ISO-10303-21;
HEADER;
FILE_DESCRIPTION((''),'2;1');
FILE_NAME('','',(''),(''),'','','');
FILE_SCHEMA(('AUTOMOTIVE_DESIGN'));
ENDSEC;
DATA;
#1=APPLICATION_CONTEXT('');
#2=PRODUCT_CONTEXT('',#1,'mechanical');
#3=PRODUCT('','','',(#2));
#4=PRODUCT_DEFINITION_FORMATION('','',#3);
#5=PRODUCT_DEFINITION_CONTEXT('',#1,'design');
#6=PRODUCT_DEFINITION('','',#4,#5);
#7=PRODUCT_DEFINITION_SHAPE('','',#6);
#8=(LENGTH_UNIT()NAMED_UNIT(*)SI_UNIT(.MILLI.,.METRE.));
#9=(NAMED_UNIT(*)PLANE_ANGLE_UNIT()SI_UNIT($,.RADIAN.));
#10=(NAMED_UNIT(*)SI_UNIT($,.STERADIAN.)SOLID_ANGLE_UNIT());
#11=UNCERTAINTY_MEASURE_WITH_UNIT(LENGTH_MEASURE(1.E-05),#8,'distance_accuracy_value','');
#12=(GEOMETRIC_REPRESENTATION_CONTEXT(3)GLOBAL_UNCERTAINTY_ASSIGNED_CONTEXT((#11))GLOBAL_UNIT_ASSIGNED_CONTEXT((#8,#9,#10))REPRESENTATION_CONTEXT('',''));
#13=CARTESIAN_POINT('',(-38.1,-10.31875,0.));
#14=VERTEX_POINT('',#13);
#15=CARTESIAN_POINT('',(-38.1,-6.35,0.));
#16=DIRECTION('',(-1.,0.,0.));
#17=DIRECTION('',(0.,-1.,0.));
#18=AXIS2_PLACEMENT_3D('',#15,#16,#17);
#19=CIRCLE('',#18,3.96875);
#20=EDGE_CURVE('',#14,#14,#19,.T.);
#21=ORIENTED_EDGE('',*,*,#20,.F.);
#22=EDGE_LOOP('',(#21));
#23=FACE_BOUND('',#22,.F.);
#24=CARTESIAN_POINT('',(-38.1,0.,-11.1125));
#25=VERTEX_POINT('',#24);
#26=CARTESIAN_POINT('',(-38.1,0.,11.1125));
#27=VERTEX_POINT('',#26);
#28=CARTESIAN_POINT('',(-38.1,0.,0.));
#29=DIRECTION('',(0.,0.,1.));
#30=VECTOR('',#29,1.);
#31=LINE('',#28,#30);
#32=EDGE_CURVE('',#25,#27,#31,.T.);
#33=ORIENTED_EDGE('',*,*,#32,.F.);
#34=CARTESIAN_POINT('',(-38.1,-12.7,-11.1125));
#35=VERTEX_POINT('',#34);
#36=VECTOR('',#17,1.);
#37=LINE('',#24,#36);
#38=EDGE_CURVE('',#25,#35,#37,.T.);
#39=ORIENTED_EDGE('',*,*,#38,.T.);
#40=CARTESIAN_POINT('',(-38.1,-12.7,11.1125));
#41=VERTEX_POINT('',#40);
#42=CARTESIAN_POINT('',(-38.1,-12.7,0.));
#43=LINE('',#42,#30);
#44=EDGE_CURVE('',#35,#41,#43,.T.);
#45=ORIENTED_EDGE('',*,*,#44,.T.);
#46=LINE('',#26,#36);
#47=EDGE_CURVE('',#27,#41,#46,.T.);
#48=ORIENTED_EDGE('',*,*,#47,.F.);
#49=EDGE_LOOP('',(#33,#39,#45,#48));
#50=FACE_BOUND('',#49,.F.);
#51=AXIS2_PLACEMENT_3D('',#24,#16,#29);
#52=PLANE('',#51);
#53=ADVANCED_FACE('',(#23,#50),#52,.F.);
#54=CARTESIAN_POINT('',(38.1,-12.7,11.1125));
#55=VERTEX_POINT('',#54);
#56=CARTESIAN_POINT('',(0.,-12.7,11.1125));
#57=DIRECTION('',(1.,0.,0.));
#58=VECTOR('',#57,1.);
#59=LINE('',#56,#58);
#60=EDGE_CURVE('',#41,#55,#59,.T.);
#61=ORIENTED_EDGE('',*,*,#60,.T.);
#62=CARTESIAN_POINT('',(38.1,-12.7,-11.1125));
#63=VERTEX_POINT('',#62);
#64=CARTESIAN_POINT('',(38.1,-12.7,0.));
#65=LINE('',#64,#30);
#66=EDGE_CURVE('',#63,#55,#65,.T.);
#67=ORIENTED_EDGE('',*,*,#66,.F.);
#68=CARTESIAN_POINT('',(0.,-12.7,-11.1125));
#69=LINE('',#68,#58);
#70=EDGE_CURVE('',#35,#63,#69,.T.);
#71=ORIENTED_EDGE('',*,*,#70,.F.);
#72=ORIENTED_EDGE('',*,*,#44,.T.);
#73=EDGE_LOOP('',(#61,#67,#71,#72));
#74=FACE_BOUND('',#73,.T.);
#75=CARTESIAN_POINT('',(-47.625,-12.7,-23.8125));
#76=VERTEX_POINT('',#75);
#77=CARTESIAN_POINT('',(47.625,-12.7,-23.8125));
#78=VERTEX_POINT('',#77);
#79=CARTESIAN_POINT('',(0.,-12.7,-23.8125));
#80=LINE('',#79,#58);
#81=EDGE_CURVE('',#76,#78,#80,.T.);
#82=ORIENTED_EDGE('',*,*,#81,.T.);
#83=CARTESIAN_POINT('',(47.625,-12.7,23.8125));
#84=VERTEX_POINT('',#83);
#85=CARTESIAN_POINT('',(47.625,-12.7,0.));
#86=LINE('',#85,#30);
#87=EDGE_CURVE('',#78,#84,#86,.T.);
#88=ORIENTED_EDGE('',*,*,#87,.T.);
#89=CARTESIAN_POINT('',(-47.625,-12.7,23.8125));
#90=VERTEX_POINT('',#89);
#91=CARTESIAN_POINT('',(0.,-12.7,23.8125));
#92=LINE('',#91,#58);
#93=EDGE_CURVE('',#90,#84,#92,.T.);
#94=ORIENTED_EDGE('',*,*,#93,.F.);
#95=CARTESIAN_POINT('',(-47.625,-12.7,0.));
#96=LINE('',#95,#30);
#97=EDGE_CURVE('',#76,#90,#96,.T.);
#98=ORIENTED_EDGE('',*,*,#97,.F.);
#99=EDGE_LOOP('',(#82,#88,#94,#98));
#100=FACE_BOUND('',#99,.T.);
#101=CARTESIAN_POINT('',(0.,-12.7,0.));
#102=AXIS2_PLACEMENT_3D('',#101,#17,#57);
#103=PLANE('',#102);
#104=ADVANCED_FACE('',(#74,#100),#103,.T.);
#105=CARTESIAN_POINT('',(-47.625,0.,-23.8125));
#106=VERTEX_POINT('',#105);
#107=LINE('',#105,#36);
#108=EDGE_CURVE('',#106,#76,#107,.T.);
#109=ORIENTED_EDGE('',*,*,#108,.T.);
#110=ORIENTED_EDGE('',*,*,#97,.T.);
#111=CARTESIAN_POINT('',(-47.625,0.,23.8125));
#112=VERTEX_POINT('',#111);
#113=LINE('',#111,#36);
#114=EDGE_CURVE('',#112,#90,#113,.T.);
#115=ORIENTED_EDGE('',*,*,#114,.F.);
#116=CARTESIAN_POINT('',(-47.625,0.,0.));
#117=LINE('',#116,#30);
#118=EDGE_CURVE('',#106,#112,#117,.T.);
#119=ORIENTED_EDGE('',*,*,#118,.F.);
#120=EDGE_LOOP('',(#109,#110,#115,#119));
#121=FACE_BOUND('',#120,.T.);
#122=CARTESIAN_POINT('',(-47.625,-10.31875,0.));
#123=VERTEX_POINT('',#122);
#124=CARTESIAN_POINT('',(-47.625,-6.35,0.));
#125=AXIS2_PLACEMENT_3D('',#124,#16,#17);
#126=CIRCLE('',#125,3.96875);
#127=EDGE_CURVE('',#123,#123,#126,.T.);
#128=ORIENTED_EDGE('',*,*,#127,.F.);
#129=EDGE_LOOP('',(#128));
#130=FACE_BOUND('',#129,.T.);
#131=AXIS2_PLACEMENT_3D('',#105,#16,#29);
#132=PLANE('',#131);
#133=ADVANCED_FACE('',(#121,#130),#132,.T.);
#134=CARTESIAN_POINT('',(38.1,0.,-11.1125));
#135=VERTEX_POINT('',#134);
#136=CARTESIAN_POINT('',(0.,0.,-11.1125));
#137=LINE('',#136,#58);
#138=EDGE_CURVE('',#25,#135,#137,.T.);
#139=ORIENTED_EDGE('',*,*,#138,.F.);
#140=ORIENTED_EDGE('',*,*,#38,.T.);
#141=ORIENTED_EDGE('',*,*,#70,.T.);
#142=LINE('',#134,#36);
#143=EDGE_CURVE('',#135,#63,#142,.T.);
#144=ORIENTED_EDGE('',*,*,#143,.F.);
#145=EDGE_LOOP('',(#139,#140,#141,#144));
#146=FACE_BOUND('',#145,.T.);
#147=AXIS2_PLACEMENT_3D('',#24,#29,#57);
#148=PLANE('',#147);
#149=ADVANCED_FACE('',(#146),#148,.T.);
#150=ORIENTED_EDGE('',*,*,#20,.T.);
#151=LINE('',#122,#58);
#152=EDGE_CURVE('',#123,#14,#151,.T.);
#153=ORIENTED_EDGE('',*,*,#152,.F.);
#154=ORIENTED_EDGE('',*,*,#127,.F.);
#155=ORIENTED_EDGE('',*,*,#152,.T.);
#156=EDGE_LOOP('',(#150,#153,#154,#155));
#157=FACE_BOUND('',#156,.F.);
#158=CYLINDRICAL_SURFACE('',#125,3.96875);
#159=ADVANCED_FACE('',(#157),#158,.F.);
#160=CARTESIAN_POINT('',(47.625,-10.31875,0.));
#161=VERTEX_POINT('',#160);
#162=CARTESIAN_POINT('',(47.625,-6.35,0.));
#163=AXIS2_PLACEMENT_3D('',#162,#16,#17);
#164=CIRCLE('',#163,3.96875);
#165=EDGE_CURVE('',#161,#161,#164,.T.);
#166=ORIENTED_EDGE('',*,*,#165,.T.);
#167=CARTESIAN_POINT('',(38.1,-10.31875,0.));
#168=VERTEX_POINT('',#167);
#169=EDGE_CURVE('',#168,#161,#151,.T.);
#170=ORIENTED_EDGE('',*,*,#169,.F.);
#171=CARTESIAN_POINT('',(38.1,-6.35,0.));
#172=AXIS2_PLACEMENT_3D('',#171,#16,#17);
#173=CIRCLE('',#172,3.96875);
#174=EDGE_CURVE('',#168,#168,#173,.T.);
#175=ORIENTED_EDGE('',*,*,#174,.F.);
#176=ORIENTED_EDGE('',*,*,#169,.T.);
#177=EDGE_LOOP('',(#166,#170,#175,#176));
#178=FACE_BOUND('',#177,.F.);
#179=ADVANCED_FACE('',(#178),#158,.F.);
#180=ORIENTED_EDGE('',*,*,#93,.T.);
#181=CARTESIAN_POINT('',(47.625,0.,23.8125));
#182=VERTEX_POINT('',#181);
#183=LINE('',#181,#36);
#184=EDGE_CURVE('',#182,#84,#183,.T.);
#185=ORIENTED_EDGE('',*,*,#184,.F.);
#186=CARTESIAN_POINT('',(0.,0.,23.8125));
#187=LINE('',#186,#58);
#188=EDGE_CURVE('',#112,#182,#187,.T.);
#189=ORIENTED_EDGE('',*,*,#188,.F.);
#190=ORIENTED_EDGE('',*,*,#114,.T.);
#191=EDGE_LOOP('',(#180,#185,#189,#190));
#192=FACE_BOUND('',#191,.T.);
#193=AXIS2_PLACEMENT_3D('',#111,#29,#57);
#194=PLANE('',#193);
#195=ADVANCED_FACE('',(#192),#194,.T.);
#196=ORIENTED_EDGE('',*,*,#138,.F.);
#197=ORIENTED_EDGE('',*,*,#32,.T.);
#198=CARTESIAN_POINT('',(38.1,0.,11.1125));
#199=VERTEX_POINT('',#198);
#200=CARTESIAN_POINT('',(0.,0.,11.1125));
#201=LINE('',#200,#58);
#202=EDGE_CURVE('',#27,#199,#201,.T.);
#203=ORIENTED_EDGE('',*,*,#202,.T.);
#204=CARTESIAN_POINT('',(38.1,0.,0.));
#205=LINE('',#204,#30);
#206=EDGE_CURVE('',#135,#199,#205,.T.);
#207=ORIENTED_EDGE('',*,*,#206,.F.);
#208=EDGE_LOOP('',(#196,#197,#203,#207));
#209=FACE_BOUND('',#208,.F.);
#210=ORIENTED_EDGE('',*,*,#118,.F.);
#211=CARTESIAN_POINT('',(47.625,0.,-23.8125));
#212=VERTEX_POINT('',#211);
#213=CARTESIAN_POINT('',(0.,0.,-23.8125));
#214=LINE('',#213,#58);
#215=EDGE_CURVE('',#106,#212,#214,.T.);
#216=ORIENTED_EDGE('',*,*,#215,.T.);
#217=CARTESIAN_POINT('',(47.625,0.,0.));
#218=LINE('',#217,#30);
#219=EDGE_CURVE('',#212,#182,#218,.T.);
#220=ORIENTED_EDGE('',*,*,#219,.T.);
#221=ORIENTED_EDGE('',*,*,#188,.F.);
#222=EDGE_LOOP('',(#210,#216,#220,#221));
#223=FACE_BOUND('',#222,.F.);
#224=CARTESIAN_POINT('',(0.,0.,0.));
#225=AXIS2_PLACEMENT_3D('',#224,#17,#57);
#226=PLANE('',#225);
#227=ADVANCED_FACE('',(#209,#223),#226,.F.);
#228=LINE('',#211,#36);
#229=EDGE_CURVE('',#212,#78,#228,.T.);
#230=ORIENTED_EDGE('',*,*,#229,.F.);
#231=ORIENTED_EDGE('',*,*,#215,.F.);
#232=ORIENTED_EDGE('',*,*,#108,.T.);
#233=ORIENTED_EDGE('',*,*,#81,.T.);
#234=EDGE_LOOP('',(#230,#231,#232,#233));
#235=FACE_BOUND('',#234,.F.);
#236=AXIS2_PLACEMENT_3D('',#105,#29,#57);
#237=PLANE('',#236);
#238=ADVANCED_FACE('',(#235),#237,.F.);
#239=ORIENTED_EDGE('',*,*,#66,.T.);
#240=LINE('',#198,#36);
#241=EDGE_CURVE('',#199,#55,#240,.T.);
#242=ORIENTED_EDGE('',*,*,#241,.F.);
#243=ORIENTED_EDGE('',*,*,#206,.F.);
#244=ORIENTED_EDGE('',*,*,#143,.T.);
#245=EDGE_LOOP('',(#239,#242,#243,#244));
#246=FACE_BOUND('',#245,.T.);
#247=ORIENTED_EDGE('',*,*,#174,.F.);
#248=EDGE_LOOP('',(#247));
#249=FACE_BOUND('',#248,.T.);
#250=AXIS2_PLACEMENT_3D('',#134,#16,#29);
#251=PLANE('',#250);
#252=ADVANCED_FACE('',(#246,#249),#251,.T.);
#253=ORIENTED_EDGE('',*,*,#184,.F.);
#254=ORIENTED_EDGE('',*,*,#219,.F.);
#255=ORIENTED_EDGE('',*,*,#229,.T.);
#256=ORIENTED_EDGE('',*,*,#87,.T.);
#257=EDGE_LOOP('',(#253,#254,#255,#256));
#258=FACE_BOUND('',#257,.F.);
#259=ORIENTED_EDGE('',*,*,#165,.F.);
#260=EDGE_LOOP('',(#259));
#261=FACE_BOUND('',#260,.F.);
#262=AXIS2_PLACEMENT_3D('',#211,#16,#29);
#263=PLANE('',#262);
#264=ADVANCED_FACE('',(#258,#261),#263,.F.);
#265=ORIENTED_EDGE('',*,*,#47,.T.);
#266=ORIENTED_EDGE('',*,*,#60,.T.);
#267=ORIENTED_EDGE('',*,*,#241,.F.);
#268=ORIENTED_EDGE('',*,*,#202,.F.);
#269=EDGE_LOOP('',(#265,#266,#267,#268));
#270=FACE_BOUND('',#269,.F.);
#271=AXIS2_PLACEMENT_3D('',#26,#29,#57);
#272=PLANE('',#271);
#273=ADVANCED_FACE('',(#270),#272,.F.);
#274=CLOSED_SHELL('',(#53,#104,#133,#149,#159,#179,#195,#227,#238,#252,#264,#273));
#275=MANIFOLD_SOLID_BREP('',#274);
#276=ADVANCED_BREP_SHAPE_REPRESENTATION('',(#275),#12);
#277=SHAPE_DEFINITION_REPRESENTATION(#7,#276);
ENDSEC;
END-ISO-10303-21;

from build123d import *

# Parameters (mm, degrees)
F0_W     = 95.25
F0_H     = 47.625
F0_W_2   = 76.2
F0_H_2   = 22.225
F1_DEPTH = 12.7
F2_R     = 3.96875
F3_DEPTH = 95.251


with BuildPart() as f1:
    # F0 (on Front) → F1 (new body)
    with BuildSketch(Plane.XZ):
        Rectangle(F0_W, F0_H)
        Rectangle(F0_W_2, F0_H_2, mode=Mode.SUBTRACT)
    extrude(amount=F1_DEPTH)

    # F2 (on face) → F3 (cut, through all)
    with BuildSketch(Plane(origin=(-47.625, 0, 0), x_dir=(0, -1, 0), z_dir=(-1, 0, 0))):
        with Locations((6.35, 0)):
            Circle(F2_R)
    extrude(amount=-F3_DEPTH, mode=Mode.SUBTRACT)


solid = f1.part
